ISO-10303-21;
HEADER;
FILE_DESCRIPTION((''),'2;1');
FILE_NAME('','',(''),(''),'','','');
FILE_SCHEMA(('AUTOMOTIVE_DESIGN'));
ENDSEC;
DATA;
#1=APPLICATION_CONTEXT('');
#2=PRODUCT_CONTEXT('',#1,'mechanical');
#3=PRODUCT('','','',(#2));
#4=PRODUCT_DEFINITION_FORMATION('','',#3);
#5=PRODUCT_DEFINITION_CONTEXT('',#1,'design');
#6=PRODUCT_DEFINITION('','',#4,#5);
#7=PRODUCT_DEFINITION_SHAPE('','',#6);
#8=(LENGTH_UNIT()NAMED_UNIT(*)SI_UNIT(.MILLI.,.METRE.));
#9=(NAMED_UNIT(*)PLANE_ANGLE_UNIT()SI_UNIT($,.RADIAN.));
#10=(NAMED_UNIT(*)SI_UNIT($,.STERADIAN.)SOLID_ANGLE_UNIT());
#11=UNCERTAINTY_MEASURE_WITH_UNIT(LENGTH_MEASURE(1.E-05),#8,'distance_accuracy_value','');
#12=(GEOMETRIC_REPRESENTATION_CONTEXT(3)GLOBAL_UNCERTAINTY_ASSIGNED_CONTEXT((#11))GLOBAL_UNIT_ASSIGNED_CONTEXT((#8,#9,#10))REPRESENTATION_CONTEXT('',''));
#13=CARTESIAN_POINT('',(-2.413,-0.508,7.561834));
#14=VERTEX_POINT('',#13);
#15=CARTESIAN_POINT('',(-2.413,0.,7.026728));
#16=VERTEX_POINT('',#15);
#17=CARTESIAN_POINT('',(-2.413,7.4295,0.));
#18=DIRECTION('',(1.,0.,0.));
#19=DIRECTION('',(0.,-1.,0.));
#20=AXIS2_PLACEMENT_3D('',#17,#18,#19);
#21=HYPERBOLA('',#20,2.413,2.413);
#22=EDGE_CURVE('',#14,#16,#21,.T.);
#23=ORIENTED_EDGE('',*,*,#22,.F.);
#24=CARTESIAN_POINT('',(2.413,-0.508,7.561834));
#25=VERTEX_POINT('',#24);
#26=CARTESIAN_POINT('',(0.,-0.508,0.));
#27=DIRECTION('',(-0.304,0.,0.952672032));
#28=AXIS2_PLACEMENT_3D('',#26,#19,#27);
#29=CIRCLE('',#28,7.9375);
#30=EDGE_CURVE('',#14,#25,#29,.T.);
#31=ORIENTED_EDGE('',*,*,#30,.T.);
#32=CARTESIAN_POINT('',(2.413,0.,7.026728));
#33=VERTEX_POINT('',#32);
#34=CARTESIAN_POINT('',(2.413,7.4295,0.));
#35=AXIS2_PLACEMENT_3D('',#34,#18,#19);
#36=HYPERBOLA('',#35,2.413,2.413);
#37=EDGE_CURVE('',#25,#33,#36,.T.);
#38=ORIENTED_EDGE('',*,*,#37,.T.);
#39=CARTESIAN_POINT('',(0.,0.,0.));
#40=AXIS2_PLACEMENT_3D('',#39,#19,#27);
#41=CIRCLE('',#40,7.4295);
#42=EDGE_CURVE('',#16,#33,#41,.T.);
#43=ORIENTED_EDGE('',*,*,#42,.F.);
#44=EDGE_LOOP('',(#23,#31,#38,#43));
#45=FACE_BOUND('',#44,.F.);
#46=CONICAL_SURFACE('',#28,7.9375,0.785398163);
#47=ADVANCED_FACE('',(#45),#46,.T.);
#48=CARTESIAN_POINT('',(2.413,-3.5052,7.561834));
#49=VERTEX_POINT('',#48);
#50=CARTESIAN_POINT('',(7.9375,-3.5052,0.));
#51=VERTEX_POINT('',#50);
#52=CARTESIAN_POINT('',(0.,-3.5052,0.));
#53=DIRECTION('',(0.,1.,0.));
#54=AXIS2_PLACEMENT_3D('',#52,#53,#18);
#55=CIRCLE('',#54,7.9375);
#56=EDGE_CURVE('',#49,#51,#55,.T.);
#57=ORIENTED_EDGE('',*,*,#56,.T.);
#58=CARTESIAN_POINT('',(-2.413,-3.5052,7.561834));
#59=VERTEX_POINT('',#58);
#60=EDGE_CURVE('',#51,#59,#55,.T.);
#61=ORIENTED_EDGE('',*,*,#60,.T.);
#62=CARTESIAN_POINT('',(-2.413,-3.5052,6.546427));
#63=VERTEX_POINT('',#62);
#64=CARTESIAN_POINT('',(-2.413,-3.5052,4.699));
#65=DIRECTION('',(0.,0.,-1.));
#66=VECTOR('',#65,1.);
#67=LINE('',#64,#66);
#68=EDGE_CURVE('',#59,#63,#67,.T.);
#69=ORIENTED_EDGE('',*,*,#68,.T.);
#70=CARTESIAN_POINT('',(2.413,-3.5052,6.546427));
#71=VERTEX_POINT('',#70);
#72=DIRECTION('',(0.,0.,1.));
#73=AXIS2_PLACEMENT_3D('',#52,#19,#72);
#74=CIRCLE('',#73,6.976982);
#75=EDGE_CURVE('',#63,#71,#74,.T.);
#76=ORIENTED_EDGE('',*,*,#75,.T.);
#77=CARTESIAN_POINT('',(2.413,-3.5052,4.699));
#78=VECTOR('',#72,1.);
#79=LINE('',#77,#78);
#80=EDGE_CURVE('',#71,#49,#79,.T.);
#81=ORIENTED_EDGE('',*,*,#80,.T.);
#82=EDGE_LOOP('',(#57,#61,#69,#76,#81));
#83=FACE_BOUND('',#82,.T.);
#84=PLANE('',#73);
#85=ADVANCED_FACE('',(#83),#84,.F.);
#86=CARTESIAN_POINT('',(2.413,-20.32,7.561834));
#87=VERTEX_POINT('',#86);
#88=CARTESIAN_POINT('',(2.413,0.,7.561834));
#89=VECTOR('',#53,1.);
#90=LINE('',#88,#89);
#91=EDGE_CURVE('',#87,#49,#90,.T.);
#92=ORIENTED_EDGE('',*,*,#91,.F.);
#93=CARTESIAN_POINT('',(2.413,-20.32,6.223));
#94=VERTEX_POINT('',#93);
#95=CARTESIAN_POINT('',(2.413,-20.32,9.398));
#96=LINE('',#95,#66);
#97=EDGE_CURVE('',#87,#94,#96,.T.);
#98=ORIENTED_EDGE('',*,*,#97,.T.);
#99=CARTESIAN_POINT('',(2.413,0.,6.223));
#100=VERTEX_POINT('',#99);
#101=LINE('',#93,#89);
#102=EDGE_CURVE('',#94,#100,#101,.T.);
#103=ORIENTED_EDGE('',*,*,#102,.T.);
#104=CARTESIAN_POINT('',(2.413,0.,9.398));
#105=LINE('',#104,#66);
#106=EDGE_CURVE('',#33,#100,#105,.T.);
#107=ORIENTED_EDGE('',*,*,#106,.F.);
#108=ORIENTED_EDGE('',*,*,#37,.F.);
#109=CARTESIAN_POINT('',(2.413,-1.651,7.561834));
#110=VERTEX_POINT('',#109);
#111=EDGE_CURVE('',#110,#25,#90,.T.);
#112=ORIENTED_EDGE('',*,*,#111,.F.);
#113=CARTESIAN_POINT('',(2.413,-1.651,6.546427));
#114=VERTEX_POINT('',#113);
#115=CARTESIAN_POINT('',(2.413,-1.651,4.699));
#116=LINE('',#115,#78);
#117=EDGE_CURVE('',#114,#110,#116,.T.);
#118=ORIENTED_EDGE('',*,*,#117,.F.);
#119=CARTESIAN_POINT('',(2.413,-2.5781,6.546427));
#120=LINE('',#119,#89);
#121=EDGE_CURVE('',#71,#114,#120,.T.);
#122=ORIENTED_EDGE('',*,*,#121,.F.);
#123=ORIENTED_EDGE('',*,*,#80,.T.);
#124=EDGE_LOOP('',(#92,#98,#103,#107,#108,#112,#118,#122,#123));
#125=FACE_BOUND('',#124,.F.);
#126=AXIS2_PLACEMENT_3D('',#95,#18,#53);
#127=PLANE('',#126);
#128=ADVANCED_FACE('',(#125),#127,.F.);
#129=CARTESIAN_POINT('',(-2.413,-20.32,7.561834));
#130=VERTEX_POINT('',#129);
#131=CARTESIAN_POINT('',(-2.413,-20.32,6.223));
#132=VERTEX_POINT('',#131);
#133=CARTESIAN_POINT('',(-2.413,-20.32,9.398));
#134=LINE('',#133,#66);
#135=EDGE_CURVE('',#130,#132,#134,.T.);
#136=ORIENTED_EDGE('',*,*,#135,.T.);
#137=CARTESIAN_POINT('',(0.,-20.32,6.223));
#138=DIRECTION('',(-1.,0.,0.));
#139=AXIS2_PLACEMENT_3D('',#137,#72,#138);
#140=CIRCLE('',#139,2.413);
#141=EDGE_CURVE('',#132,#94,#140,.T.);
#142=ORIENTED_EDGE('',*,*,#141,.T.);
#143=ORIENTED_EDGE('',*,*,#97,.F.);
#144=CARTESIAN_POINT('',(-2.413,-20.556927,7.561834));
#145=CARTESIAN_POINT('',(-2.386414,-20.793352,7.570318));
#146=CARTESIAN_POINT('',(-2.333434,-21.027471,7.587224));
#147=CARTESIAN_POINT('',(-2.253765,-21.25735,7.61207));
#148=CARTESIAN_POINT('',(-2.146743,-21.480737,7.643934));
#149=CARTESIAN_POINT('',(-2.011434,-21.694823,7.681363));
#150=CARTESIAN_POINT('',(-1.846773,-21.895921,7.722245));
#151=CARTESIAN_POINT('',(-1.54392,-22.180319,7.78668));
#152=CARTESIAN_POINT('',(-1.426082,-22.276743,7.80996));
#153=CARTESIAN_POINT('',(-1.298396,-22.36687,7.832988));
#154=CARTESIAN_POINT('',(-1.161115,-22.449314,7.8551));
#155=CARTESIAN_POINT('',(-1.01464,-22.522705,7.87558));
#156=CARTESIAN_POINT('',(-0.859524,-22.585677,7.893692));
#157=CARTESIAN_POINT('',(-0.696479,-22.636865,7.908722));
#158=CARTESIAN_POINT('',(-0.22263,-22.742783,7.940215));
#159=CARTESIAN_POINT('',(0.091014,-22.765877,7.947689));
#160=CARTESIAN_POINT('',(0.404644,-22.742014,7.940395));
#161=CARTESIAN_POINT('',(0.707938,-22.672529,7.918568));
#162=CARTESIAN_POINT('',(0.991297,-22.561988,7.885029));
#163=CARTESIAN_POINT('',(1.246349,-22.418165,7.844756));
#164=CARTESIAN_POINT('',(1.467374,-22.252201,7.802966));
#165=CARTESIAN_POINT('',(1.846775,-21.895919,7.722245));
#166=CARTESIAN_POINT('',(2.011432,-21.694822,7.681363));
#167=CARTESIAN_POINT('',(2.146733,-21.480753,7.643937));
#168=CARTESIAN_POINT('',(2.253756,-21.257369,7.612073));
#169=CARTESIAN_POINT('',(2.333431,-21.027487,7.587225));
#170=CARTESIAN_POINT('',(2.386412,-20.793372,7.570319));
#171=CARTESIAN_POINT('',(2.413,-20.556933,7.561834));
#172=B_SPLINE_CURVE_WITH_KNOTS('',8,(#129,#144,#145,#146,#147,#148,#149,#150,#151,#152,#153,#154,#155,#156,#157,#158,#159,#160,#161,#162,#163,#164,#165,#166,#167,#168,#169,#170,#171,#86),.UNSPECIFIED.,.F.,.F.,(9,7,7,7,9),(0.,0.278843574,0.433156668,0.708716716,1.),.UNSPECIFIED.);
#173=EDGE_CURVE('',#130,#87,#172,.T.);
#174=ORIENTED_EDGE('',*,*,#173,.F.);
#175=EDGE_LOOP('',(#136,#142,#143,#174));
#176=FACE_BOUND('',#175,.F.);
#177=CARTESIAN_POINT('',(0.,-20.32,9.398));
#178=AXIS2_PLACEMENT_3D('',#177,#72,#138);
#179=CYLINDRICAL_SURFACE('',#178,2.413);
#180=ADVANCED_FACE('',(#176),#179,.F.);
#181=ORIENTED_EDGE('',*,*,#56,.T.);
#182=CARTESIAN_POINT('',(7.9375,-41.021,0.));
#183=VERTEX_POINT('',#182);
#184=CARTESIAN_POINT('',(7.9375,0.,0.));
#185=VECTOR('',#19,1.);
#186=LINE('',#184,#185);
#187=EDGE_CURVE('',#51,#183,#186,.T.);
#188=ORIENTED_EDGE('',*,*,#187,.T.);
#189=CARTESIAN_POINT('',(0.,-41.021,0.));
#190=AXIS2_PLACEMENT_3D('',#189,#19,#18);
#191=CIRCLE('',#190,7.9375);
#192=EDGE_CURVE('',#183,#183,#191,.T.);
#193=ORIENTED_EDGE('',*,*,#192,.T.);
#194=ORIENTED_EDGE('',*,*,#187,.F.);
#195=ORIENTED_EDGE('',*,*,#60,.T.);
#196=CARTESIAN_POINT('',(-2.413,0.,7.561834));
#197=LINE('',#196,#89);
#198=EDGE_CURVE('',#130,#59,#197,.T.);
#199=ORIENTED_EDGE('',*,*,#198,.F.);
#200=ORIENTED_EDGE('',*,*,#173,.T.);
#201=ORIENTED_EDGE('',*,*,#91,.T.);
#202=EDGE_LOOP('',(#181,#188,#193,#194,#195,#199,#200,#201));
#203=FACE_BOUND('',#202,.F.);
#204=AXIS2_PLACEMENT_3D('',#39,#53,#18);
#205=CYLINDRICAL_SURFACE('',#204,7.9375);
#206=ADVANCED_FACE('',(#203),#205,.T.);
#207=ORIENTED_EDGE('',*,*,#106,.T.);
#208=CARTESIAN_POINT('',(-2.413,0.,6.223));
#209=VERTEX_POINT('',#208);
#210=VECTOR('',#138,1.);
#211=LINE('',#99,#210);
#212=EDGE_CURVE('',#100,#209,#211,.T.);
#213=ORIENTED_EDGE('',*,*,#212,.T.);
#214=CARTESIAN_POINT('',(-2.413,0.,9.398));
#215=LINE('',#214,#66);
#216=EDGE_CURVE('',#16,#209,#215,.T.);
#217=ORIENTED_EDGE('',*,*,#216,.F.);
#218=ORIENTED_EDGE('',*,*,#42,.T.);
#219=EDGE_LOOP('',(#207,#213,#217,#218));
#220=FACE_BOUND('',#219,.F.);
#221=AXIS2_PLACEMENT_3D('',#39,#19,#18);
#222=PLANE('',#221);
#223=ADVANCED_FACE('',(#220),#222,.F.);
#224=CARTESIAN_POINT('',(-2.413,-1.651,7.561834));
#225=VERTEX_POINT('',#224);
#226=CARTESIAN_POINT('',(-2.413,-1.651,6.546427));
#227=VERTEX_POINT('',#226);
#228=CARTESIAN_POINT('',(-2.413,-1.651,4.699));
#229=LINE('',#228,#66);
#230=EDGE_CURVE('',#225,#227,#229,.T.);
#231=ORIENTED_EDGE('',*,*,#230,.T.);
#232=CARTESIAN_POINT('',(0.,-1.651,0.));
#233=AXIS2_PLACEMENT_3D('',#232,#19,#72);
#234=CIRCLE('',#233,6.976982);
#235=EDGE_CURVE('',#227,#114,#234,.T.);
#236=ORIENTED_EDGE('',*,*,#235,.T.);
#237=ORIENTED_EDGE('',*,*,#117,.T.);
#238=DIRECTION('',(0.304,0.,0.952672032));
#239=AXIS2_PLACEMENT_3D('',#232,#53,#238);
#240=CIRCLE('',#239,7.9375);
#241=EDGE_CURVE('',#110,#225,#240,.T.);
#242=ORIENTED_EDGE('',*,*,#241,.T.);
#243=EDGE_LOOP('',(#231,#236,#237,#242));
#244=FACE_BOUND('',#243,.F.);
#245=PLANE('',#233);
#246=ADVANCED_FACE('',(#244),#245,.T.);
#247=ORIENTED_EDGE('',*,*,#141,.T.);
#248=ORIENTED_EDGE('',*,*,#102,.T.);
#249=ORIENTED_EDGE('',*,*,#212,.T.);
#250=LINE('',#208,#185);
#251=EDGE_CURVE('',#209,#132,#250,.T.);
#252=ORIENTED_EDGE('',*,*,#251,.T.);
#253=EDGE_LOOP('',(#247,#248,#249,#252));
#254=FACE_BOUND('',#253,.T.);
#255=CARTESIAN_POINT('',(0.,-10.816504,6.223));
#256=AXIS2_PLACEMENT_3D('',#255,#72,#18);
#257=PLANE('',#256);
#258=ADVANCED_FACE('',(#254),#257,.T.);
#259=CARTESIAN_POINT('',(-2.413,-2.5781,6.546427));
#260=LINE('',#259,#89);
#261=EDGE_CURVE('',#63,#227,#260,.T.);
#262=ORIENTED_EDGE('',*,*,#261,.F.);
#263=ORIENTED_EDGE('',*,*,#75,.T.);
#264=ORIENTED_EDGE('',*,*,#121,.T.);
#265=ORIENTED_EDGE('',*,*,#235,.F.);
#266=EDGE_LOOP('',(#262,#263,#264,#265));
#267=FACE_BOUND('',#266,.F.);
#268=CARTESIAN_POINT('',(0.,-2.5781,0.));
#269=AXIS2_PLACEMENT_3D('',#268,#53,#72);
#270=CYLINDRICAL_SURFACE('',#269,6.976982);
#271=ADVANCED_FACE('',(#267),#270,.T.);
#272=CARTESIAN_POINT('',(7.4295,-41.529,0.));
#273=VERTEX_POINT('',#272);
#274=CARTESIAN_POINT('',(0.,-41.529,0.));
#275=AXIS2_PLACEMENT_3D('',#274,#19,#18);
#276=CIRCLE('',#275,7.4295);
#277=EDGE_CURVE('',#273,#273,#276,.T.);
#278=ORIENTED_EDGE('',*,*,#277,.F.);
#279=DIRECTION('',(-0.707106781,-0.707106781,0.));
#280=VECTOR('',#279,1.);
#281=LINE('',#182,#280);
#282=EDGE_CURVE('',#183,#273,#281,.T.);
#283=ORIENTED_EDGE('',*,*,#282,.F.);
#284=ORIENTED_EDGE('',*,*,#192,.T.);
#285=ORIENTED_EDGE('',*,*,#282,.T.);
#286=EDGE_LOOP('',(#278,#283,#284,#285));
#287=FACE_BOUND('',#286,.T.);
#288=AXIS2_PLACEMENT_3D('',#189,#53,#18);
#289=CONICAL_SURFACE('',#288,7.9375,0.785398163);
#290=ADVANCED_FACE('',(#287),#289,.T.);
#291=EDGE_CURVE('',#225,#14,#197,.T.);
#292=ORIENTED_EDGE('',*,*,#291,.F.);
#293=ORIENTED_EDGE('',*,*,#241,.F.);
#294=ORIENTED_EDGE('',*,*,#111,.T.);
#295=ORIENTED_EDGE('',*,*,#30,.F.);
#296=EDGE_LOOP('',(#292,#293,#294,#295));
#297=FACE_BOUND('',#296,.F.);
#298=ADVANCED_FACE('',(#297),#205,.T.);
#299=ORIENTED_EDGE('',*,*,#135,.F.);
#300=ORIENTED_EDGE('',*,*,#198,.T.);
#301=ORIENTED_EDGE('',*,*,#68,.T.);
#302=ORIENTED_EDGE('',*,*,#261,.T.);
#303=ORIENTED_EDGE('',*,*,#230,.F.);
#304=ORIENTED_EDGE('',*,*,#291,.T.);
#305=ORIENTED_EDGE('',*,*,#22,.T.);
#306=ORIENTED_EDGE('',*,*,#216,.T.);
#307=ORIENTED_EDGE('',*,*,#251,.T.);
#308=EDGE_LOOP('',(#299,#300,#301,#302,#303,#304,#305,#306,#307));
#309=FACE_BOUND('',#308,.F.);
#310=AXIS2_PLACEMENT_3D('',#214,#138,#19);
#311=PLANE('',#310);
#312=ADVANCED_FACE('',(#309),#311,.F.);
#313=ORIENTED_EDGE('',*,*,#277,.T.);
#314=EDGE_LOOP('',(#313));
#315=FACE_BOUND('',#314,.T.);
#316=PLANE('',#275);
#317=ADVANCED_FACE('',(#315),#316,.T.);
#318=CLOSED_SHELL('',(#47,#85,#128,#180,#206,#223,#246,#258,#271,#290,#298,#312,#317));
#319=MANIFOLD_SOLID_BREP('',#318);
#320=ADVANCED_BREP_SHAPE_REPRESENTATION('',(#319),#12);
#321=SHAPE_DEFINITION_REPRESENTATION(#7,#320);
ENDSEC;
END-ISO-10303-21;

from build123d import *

# Parameters (mm, degrees)
F0_R     = 7.9375
F1_DEPTH = 41.529
F4_DEPTH = 3.175
F5_W     = 1.8542
F5_H     = 3.048
F7_SIZE  = 0.508


with BuildPart() as f1:
    # F0 (on Front) → F1 (new body)
    with BuildSketch(Plane.XZ):
        Circle(F0_R)
    extrude(amount=F1_DEPTH)

    # F3 (on offset) → F4 (cut)
    with BuildSketch(Plane.XY.offset(9.398)):
        with BuildLine():
            Line((2.413, -20.32), (2.413, 0))
            Line((2.413, 0), (-2.413, 0))
            Line((-2.413, 0), (-2.413, -20.32))
            ThreePointArc((-2.413, -20.32), (0, -22.733), (2.413, -20.32))
        make_face()
    extrude(amount=-F4_DEPTH, mode=Mode.SUBTRACT)

    # F5 (on Right) → F6 (revolve, cut)
    with BuildSketch(Plane.YZ):
        with Locations((-2.5781, 8.500982)):
            Rectangle(F5_W, F5_H)
    revolve(axis=Axis((0, 0, 0), (0, -1, 0)), mode=Mode.SUBTRACT)

    # F7
    f7_edges = [f1.edges().sort_by_distance(p)[0] for p in [
        (-7.9375, -41.529, 0),
        (0, 0, -7.9375),
    ]]
    chamfer(f7_edges, length=F7_SIZE)


solid = f1.part
